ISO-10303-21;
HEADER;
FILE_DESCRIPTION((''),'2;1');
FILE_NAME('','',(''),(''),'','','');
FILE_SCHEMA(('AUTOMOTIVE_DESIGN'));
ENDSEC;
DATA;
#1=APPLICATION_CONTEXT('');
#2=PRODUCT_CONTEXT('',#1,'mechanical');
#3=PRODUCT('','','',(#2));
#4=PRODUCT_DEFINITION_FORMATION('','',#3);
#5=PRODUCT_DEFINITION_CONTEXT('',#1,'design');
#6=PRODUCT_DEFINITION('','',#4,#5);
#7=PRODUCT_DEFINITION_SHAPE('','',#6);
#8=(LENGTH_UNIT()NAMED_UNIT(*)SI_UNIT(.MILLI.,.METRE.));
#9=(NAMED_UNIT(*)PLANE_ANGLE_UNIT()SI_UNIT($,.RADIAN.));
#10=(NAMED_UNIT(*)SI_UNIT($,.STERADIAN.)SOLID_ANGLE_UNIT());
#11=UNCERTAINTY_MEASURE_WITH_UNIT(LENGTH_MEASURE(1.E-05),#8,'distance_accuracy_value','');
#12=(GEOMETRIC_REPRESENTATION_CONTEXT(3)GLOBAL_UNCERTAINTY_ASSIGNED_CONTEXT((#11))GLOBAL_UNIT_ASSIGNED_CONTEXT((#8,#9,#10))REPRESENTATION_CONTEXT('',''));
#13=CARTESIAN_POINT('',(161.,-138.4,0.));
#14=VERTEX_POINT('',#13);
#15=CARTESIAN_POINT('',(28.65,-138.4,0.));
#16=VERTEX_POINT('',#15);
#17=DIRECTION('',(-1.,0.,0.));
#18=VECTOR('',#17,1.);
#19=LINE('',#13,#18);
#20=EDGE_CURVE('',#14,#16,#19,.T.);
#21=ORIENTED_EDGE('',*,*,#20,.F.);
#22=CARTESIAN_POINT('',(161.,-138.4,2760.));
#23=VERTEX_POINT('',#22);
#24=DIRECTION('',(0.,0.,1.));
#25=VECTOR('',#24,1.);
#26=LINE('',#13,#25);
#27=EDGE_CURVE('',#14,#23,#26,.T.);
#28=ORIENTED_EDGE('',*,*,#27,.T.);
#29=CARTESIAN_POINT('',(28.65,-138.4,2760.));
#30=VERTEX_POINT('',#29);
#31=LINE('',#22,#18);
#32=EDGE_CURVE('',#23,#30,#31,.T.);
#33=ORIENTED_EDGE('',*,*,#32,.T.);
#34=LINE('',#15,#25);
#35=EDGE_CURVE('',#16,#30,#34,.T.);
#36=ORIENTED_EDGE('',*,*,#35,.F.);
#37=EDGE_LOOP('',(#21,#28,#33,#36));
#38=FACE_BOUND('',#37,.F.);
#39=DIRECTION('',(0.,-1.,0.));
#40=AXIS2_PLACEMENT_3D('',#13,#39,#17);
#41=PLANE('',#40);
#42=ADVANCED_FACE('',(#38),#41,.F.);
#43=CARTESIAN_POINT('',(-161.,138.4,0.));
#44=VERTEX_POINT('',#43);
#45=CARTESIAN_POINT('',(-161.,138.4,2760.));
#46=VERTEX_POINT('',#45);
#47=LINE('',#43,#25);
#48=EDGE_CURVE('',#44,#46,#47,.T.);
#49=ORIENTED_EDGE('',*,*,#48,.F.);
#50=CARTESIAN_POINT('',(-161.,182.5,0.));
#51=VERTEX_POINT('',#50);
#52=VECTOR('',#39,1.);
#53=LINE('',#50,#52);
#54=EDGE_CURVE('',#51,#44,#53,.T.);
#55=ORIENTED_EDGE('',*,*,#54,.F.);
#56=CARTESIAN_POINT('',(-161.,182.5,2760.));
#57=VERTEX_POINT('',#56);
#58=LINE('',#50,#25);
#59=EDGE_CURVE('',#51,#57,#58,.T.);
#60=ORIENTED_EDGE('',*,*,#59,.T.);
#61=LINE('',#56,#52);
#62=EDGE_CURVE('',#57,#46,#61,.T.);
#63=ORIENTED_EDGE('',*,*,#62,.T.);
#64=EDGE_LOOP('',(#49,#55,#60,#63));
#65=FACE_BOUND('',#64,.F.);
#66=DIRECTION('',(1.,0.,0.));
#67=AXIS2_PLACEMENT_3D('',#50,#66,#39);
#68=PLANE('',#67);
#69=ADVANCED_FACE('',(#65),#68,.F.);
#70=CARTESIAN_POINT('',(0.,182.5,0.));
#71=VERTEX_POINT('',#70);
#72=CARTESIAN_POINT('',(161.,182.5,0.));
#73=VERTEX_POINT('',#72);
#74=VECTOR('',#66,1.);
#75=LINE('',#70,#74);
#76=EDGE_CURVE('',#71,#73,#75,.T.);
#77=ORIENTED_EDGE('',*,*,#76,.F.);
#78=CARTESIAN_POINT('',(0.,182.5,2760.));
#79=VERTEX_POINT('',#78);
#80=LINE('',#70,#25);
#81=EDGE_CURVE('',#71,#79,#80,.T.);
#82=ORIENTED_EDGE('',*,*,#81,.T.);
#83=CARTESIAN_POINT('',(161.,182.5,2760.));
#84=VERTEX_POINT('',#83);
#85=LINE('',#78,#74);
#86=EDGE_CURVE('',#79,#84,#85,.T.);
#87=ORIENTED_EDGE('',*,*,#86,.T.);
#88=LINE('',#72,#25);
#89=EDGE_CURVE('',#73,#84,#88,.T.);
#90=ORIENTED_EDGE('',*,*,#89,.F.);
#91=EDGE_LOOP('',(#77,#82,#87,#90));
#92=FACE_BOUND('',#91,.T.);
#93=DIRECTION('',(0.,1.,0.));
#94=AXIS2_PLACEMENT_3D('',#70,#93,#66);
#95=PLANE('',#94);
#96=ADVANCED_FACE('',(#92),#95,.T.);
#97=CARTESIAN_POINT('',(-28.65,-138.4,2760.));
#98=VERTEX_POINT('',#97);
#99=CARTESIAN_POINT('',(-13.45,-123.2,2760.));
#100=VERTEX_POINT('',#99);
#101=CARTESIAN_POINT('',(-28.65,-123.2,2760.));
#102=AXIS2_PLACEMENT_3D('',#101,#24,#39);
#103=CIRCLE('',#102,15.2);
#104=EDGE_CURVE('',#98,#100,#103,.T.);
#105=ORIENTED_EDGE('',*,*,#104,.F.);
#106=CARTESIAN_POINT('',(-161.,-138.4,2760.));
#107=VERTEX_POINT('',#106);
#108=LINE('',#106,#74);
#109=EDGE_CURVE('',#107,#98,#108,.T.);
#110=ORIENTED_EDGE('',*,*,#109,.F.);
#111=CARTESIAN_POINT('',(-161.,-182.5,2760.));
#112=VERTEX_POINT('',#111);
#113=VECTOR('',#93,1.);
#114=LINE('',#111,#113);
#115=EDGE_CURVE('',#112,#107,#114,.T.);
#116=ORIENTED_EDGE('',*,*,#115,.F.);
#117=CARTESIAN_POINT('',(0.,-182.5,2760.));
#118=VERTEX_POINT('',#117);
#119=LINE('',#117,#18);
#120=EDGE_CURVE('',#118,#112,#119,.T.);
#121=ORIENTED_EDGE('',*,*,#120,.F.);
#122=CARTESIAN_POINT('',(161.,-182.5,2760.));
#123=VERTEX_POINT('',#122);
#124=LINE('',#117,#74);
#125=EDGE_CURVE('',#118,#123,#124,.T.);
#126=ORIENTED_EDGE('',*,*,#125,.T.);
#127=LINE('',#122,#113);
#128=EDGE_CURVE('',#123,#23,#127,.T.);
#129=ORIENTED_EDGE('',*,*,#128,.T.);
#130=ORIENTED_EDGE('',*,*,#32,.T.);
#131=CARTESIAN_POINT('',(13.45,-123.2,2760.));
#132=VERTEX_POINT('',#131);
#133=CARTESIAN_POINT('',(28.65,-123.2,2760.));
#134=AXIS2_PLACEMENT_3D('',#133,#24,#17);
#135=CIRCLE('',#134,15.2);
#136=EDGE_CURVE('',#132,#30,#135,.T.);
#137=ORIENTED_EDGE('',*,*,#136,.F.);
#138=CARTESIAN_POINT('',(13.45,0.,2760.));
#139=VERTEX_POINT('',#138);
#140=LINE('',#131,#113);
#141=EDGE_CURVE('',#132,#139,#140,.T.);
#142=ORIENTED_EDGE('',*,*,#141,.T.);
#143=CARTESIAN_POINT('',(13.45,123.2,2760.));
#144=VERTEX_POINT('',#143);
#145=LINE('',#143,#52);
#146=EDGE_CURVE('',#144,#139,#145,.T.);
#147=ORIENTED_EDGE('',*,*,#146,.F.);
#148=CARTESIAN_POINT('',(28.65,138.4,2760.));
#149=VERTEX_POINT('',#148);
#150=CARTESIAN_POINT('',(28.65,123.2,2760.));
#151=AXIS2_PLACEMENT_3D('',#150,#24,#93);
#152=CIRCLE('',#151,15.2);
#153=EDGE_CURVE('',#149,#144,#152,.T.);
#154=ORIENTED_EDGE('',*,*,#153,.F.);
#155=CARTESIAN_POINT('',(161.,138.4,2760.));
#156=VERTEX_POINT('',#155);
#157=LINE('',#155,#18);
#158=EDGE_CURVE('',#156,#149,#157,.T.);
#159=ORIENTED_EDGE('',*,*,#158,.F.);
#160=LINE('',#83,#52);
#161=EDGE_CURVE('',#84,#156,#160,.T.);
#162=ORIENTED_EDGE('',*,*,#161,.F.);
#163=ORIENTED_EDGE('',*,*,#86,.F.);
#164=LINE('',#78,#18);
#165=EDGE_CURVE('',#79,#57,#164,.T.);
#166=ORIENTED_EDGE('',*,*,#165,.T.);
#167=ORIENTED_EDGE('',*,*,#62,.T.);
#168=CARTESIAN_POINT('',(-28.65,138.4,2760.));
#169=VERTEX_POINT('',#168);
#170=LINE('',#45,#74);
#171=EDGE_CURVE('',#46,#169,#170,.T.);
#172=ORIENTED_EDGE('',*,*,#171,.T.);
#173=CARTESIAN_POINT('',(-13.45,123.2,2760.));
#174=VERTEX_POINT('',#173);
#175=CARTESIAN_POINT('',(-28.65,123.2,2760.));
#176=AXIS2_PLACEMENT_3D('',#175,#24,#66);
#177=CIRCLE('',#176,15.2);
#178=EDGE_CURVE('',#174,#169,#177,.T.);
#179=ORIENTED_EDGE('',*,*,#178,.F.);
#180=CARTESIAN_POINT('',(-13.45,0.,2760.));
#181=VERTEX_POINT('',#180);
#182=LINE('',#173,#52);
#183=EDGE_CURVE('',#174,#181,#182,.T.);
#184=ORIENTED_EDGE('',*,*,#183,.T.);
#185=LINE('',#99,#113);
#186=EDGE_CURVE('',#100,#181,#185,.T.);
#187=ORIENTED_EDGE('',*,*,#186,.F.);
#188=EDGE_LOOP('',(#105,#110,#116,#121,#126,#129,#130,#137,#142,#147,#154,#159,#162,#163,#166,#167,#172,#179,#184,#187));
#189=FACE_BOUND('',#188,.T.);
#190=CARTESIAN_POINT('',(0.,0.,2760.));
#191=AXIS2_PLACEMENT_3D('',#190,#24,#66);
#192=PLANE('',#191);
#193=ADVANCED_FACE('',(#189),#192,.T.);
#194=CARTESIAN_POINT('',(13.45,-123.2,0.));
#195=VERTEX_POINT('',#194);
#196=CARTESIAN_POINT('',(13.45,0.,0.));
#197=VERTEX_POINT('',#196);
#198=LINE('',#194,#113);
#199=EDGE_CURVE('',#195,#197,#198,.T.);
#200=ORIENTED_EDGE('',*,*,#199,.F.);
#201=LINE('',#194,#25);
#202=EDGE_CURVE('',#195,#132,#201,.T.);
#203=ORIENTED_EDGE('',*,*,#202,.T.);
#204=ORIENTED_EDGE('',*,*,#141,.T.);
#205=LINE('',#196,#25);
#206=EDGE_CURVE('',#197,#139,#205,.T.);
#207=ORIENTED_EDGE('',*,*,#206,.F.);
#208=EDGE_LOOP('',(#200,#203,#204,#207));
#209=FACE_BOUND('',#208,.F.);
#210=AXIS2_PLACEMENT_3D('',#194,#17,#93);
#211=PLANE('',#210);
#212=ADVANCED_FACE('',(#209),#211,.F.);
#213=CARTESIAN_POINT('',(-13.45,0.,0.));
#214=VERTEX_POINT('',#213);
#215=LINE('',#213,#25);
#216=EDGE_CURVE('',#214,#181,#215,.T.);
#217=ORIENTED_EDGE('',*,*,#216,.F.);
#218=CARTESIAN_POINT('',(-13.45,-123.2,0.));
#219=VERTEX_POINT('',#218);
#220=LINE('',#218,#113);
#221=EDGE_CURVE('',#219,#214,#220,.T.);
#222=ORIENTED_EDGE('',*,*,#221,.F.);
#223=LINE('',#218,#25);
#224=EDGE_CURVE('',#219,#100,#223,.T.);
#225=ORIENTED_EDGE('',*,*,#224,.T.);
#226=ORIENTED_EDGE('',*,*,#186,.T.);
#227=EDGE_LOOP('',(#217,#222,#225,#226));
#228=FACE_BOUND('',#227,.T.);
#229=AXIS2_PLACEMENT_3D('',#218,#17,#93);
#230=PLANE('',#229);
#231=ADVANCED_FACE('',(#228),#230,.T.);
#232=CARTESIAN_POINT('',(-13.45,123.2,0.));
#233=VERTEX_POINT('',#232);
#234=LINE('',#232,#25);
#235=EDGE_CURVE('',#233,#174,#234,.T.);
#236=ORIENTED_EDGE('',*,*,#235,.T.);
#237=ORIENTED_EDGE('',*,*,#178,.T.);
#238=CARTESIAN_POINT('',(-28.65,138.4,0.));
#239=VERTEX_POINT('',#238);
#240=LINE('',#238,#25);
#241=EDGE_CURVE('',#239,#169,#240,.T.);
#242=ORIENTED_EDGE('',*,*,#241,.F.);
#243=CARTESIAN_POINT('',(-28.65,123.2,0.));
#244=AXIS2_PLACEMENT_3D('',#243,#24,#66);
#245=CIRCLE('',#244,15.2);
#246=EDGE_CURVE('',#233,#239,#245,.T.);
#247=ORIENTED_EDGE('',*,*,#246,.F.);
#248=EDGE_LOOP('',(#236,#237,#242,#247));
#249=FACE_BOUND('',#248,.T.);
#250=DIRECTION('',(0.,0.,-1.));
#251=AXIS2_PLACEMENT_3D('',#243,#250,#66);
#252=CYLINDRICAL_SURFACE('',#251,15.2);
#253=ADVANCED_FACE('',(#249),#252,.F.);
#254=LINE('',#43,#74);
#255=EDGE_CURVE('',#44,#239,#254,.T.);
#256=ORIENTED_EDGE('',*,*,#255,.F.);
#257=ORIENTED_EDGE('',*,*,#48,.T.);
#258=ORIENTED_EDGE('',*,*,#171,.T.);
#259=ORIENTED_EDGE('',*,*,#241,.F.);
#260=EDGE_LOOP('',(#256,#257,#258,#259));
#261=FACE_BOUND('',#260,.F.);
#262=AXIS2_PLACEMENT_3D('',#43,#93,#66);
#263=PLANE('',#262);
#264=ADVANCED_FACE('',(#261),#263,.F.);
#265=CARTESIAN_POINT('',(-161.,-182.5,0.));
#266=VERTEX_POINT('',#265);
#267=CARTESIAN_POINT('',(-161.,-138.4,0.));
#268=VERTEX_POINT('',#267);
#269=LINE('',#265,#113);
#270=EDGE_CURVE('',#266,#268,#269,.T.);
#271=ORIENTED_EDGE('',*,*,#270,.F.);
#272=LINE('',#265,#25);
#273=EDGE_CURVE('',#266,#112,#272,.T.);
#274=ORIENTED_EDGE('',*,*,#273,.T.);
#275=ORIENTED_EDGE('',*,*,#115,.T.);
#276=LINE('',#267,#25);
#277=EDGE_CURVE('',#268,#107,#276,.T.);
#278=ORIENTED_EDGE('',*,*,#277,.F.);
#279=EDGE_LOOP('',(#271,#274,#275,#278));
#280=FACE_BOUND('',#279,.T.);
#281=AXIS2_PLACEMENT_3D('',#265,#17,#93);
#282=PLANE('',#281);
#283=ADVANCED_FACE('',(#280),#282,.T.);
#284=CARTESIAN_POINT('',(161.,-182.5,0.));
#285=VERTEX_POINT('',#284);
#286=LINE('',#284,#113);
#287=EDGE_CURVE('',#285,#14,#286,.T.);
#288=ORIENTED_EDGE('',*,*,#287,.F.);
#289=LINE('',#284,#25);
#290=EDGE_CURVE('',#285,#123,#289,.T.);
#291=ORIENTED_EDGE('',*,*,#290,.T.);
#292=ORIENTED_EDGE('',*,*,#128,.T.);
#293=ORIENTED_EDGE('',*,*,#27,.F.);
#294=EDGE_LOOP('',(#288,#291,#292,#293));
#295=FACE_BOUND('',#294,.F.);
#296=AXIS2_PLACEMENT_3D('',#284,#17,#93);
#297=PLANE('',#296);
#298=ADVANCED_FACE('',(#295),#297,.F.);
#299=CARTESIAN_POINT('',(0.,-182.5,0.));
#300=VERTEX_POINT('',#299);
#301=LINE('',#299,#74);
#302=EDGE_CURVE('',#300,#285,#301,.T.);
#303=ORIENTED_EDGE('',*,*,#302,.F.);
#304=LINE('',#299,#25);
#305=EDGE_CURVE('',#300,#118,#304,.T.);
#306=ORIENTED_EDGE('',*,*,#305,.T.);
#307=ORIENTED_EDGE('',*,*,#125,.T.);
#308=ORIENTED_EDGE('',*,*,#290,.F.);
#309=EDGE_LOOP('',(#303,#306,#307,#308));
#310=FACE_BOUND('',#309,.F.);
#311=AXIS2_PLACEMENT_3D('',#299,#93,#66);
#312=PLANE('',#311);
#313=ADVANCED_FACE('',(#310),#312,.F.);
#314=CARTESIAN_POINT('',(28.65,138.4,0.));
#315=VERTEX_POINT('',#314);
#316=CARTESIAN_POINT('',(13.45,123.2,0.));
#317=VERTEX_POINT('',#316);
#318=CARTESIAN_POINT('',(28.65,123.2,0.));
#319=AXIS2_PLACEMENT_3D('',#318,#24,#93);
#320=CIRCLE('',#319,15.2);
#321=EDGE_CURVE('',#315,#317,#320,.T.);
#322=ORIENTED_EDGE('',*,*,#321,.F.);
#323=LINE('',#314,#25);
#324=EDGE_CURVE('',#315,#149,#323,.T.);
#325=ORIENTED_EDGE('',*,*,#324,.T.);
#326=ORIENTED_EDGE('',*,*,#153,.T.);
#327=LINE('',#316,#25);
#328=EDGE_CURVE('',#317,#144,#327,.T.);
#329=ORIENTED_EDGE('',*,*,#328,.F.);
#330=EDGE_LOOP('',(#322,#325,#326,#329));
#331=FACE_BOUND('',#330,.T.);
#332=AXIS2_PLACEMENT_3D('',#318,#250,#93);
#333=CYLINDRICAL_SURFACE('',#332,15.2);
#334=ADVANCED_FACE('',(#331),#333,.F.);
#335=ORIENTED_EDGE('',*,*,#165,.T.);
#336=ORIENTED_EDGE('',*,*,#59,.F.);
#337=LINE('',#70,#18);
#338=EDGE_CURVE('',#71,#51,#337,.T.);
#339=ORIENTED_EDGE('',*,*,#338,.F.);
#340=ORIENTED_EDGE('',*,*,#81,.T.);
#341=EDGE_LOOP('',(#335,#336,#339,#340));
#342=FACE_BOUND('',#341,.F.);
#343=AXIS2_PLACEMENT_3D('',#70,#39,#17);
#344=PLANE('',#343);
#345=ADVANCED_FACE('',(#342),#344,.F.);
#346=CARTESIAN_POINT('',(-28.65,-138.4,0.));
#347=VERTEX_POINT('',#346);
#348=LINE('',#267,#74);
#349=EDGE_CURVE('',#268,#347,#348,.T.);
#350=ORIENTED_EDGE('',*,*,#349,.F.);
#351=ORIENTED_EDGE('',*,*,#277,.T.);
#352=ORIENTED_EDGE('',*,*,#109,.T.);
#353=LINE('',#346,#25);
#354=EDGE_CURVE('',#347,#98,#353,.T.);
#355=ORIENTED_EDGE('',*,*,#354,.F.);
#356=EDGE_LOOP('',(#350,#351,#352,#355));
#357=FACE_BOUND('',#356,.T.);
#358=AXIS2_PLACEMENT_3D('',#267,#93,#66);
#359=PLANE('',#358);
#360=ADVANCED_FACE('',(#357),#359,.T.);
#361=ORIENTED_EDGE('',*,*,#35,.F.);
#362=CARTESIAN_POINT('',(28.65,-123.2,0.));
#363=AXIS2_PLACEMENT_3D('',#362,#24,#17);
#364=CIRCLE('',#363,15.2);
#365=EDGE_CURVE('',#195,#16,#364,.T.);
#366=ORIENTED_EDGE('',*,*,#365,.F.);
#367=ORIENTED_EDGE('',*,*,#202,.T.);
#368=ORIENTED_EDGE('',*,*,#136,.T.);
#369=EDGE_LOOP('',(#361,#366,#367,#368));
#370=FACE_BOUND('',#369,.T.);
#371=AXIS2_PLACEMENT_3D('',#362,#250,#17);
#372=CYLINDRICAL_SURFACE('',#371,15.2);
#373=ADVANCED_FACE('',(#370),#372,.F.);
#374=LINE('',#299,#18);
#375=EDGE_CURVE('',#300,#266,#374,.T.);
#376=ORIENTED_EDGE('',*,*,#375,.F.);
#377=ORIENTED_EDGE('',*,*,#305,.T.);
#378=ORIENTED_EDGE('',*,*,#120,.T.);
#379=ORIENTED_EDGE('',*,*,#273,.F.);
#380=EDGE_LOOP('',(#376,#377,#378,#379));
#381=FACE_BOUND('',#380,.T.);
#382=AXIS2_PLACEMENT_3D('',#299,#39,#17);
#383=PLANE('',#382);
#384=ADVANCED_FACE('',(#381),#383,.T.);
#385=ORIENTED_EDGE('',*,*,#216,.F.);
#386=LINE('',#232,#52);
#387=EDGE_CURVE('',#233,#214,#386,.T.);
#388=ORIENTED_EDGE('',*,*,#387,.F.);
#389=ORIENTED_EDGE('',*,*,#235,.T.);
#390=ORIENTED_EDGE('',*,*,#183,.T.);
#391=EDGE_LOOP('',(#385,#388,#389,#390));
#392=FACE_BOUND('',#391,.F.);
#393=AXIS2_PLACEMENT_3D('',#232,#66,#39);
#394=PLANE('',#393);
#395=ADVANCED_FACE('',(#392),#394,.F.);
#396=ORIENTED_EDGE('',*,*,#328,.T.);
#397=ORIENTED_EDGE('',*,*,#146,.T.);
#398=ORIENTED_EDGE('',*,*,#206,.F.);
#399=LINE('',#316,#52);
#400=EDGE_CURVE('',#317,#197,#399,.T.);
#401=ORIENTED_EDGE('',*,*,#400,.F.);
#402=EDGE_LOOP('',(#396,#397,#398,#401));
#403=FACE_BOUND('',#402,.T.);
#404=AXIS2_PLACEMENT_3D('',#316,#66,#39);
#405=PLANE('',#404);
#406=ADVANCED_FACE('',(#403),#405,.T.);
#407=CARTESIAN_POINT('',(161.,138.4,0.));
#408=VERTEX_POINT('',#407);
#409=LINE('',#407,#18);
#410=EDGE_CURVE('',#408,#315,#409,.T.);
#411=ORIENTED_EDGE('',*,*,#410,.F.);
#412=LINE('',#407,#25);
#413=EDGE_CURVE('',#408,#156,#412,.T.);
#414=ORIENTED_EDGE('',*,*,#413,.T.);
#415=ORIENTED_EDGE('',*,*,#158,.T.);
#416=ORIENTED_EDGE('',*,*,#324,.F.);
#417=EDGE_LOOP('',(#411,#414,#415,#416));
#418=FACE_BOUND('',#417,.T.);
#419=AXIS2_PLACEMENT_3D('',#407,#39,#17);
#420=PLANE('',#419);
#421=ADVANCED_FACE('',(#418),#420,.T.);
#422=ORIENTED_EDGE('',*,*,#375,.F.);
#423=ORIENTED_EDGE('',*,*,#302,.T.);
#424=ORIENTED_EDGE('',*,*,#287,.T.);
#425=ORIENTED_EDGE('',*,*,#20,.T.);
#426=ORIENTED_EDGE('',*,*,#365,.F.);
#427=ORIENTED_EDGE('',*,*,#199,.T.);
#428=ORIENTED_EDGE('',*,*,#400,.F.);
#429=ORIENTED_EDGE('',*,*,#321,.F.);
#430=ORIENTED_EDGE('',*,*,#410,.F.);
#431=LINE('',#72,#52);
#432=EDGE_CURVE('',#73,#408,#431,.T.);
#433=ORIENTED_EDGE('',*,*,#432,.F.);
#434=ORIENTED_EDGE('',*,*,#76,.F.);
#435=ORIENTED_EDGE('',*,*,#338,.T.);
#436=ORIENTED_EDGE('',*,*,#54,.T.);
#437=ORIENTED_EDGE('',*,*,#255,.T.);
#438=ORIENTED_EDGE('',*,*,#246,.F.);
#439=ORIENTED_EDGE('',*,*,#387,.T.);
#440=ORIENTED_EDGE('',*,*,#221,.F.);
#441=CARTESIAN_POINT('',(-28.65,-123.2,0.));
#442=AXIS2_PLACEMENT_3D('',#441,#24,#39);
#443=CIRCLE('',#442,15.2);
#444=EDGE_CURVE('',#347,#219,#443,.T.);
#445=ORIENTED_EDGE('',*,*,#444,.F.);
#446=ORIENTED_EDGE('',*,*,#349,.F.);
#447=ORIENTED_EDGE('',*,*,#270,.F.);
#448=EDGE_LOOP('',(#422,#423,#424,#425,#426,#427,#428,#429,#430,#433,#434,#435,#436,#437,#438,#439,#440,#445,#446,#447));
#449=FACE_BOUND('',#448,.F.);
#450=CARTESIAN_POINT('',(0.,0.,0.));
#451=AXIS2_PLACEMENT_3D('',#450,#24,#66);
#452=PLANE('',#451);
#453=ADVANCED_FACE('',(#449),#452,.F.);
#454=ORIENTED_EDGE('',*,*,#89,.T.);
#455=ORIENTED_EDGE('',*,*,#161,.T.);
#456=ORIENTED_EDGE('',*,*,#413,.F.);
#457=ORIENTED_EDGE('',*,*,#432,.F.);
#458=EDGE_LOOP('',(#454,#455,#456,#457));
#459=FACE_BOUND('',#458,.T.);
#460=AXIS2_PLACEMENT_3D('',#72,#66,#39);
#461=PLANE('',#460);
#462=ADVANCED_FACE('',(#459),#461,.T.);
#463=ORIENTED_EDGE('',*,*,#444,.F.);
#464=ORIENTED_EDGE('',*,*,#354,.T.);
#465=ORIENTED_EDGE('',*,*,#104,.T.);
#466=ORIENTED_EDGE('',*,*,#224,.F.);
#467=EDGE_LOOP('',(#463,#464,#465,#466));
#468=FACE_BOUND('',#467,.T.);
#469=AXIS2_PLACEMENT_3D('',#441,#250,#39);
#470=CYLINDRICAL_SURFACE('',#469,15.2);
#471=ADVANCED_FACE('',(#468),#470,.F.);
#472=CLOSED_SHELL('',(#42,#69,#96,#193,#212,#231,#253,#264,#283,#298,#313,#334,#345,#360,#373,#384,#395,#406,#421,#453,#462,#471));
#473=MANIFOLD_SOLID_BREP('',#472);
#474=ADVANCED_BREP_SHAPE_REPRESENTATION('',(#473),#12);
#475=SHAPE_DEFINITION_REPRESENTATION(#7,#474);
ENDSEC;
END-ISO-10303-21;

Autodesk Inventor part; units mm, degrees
ref_plane "YZ Plane" through (0, 0, 0) normal (1, 0, 0) x (0, 1, 0)
ref_plane "Start plane" through (0, 0, 0) normal (0, 0, 1) x (1, 0, 0)
ref_plane "End plane" through (0, 0, 2760) normal (0, 0, 1) x (1, 0, 0)
sketch "Sketch" plane through (0, 0, 0) normal (0, 0, 1) x (1, 0, 0)
  line L0 (-161, -182.5) -> (-161, -138.4)
  line L1 (-161, -138.4) -> (-28.65, -138.4)
  line L2 (-13.45, -123.2) -> (-13.45, 0)
  line L3 (-13.45, 0) -> (0, 0) construction
  line L4 (0, 0) -> (0, -182.5) construction
  line L5 (0, -182.5) -> (-161, -182.5)
  line L6 (-60, 0) -> (80, 0) construction
  line L7 (0, -60) -> (0, 80) construction
  line L8 (161, -182.5) -> (161, -138.4)
  line L9 (161, -138.4) -> (28.65, -138.4)
  line L10 (13.45, -123.2) -> (13.45, 0)
  line L11 (13.45, 0) -> (0, 0) construction
  line L12 (0, -182.5) -> (161, -182.5)
  line L13 (-161, 182.5) -> (-161, 138.4)
  line L14 (-161, 138.4) -> (-28.65, 138.4)
  line L15 (-13.45, 123.2) -> (-13.45, 0)
  line L16 (0, 182.5) -> (-161, 182.5)
  line L17 (161, 182.5) -> (161, 138.4)
  line L18 (161, 138.4) -> (28.65, 138.4)
  line L19 (0, 182.5) -> (161, 182.5)
  line L20 (13.45, 123.2) -> (13.45, 0)
  arc A0 (-13.45, 123.2) -> (-28.65, 138.4) centre (-28.65, 123.2) ccw
  arc A1 (28.65, 138.4) -> (13.45, 123.2) centre (28.65, 123.2) ccw
  arc A2 (13.45, -123.2) -> (28.65, -138.4) centre (28.65, -123.2) ccw
  arc A3 (-28.65, -138.4) -> (-13.45, -123.2) centre (-28.65, -123.2) ccw
  line L21 (0, 108) -> (0, -88) construction
  line L22 (-88, 0) -> (108, 0) construction
  point P0 (-13.45, -138.4)
  point P1 (13.45, -138.4)
  point P2 (-13.45, 138.4)
  point P3 (13.45, 138.4)
  dimension "d1" = 182.5
  dimension "d2" = 44.1
  dimension "d3" = 161
  dimension "d4" = 13.45
  dimension "d10" = 15.2
extrude "Body" add sketch "Sketch" along normal up to surface (2760 mm away) from surface at 0
sketch "Sketch4" plane through (0, 0, 0) normal (0, 0, 1) x (1, 0, 0)
  line L0 (0, 0) -> (10, 0)
ref_plane "Work Plane3" through (0, 0, 0) normal (0, -1, 0) x (1, 0, 0)
sketch "Sketch5" plane through (0, 0, 0) normal (0, -1, 0) x (1, 0, 0)
  line L0 (-2, 0) -> (12, 0) projected
  line L1 (-2, 2760) -> (12, 2760) projected
  dimension "d14" = 2760
equation "\"d1\" = 0.5 * G_H"
equation "\"d2\" = G_T1"
equation "\"d3\" = 0.5 * G_W"
equation "\"d4\" = 0.5 * G_T"
equation "\"d10\" = G_IR"
equation "\"d5\" = G_L"
equation "\"G_W\" = 322"
equation "\"G_H\" = 365"
equation "\"G_T\" = 26.9"
equation "\"G_T1\" = 44.1"
equation "\"G_IR\" = 15.2"
equation "\"G_L\" = d14"
equation "\"G_OFFSET_START\" = 0"
equation "\"G_OFFSET_END\" = 0"
properties part number "AS 3679 - 310 UC - 283 - 2760" material "Steel, Mild"
